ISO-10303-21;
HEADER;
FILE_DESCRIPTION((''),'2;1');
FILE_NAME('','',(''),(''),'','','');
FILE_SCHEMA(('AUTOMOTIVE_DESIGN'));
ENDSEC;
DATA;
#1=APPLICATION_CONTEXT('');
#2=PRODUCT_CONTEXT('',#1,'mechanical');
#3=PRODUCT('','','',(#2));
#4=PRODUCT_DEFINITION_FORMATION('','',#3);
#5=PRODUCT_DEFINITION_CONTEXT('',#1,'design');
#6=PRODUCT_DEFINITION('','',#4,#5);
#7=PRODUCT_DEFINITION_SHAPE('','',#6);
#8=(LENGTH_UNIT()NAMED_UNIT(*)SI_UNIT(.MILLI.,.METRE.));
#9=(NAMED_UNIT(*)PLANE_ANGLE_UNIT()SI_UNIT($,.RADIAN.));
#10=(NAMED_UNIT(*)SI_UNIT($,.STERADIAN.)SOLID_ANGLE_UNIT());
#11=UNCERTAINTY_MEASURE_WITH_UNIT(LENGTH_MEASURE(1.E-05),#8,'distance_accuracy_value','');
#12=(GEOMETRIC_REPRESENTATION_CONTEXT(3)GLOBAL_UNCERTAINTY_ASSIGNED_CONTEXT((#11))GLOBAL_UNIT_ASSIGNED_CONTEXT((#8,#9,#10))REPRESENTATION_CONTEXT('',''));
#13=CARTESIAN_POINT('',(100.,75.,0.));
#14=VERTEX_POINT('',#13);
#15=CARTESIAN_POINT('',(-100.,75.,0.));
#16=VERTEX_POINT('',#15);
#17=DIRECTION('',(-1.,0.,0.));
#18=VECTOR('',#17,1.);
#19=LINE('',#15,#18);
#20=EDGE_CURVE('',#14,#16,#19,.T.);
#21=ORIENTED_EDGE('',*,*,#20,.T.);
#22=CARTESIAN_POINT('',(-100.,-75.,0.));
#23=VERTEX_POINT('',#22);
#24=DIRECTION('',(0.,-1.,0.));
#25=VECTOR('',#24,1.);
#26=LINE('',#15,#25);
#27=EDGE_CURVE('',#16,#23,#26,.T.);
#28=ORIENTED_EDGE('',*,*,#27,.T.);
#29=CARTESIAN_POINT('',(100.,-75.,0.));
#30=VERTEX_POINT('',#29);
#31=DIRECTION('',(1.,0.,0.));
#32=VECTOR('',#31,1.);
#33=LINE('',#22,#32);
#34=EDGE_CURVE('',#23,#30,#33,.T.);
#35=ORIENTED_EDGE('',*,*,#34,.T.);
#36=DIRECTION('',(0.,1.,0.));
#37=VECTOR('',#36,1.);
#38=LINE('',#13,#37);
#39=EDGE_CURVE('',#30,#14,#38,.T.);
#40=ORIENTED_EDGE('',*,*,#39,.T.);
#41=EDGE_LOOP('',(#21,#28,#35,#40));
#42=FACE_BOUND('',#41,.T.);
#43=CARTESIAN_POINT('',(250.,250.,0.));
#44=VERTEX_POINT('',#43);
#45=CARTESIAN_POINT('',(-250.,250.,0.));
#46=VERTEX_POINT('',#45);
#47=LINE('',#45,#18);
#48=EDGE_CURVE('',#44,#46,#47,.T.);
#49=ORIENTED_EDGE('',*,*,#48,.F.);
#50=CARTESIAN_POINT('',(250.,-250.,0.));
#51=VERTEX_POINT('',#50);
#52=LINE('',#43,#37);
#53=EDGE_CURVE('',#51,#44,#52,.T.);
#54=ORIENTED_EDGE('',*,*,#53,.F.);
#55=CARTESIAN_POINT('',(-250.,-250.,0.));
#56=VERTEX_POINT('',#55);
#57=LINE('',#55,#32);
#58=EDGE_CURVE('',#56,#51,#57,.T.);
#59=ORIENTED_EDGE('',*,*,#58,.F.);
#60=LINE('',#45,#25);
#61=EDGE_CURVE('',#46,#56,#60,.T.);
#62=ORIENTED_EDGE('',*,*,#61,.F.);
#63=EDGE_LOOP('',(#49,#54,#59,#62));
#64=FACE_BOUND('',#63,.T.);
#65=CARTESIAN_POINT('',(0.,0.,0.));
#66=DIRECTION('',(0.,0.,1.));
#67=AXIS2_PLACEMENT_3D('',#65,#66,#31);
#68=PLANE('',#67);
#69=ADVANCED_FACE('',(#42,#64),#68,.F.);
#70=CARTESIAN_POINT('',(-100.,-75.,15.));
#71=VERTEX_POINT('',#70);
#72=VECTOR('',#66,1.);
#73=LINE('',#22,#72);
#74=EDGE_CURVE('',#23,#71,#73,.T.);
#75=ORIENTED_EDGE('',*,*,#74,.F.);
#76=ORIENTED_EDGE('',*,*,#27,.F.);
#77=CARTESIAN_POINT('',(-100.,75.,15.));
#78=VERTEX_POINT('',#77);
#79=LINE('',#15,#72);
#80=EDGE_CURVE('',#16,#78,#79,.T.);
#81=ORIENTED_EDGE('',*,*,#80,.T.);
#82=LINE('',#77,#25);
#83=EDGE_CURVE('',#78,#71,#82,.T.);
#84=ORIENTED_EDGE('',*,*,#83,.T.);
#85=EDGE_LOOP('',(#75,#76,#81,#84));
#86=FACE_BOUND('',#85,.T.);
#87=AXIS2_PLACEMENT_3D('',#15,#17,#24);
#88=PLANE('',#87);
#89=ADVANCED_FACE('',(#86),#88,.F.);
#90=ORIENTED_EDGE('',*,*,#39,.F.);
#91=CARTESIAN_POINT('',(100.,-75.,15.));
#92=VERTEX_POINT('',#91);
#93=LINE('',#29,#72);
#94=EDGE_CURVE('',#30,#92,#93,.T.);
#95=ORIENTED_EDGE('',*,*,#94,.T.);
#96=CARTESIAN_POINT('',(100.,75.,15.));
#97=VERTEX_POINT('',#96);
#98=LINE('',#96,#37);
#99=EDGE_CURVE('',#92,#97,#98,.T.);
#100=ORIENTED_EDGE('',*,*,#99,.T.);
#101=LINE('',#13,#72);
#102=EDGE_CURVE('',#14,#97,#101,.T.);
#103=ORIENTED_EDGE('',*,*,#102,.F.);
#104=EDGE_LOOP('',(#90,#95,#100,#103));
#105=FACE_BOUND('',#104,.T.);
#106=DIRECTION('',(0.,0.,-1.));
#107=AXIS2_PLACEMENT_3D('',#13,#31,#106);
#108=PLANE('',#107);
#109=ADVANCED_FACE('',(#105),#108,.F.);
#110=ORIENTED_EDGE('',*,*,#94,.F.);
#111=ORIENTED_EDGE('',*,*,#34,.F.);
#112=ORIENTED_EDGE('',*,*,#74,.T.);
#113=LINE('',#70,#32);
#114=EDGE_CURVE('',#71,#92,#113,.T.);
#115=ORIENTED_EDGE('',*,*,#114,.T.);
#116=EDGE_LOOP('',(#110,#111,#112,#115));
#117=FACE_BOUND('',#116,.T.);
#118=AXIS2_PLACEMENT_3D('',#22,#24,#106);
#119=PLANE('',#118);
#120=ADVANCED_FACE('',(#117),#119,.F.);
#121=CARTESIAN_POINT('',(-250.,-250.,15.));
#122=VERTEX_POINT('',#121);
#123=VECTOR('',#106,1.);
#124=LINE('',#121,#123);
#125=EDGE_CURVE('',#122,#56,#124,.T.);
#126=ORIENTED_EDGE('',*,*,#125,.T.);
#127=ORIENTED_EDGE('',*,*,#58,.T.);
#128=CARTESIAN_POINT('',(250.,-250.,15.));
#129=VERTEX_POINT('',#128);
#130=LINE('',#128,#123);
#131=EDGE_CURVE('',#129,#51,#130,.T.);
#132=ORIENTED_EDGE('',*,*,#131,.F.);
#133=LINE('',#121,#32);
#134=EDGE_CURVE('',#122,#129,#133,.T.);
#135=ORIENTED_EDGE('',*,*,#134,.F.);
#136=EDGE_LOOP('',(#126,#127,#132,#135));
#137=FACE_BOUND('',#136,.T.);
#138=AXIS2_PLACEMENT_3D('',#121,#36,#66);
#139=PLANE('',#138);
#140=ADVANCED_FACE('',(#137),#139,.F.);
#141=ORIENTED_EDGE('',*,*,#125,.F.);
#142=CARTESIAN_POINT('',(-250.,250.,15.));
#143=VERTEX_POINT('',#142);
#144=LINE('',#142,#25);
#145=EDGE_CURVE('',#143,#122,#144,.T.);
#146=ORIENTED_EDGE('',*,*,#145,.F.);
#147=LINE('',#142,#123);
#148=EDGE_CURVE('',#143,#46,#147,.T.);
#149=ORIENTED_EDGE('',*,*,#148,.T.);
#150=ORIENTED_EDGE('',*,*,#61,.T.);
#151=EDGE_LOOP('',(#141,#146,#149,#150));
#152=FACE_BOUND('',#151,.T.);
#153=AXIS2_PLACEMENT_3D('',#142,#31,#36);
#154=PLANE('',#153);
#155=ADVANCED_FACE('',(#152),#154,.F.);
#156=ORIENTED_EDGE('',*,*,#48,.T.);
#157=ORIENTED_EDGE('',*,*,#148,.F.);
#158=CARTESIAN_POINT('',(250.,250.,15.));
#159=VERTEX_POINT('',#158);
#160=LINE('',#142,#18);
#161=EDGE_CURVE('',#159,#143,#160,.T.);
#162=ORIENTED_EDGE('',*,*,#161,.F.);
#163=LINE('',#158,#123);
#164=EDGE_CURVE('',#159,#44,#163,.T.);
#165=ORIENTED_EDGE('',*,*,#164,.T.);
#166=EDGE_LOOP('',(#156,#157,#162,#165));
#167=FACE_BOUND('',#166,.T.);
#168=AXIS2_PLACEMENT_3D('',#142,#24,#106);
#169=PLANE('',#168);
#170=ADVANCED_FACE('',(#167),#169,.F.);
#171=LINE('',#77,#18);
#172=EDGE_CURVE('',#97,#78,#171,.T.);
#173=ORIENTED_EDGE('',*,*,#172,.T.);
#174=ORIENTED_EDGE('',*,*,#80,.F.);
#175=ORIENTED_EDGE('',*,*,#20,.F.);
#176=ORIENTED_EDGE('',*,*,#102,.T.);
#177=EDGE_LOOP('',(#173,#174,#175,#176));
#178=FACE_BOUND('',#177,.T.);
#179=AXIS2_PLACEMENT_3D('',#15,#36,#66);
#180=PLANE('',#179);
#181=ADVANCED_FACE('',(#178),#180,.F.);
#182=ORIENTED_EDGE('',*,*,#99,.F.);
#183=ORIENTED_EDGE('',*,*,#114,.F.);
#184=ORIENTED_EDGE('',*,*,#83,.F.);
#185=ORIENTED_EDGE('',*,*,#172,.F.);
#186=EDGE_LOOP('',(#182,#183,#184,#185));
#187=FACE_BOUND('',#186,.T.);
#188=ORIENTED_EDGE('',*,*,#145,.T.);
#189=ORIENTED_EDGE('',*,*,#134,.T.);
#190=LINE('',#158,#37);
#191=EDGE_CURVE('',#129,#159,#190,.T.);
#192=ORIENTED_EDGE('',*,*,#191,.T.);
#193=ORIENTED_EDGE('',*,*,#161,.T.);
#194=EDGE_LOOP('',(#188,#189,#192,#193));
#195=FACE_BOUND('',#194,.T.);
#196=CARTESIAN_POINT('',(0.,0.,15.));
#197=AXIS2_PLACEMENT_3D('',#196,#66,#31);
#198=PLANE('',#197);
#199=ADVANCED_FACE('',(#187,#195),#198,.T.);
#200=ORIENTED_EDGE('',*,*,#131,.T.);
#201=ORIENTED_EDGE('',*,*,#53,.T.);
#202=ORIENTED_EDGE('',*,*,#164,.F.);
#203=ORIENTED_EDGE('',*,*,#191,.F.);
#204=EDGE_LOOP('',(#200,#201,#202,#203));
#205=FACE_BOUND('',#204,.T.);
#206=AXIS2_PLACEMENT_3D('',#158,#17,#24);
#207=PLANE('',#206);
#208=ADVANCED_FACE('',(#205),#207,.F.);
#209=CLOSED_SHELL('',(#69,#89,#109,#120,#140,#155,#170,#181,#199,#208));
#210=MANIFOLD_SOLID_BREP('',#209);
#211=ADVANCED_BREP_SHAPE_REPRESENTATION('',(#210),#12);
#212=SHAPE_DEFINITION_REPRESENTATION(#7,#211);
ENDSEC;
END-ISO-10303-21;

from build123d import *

# Parameters (mm, degrees)
SCHIZZO1_W                   = 500
SCHIZZO1_H                   = 500
ESTRUSIONE_ESTRUSIONE1_DEPTH = 15
SCHIZZO2_W                   = 200
SCHIZZO2_H                   = 150
TAGLIO_ESTRUSIONE1_DEPTH     = 15


with BuildPart() as part:
    # Schizzo1 → Estrusione-Estrusione1 (new body)
    with BuildSketch(Plane.XY):
        Rectangle(SCHIZZO1_W, SCHIZZO1_H)
    extrude(amount=ESTRUSIONE_ESTRUSIONE1_DEPTH)

    # Schizzo2 → Taglio-Estrusione1 (cut)
    with BuildSketch(Plane.XY.offset(15)):
        Rectangle(SCHIZZO2_W, SCHIZZO2_H)
    extrude(amount=-TAGLIO_ESTRUSIONE1_DEPTH, mode=Mode.SUBTRACT)


solid = part.part
